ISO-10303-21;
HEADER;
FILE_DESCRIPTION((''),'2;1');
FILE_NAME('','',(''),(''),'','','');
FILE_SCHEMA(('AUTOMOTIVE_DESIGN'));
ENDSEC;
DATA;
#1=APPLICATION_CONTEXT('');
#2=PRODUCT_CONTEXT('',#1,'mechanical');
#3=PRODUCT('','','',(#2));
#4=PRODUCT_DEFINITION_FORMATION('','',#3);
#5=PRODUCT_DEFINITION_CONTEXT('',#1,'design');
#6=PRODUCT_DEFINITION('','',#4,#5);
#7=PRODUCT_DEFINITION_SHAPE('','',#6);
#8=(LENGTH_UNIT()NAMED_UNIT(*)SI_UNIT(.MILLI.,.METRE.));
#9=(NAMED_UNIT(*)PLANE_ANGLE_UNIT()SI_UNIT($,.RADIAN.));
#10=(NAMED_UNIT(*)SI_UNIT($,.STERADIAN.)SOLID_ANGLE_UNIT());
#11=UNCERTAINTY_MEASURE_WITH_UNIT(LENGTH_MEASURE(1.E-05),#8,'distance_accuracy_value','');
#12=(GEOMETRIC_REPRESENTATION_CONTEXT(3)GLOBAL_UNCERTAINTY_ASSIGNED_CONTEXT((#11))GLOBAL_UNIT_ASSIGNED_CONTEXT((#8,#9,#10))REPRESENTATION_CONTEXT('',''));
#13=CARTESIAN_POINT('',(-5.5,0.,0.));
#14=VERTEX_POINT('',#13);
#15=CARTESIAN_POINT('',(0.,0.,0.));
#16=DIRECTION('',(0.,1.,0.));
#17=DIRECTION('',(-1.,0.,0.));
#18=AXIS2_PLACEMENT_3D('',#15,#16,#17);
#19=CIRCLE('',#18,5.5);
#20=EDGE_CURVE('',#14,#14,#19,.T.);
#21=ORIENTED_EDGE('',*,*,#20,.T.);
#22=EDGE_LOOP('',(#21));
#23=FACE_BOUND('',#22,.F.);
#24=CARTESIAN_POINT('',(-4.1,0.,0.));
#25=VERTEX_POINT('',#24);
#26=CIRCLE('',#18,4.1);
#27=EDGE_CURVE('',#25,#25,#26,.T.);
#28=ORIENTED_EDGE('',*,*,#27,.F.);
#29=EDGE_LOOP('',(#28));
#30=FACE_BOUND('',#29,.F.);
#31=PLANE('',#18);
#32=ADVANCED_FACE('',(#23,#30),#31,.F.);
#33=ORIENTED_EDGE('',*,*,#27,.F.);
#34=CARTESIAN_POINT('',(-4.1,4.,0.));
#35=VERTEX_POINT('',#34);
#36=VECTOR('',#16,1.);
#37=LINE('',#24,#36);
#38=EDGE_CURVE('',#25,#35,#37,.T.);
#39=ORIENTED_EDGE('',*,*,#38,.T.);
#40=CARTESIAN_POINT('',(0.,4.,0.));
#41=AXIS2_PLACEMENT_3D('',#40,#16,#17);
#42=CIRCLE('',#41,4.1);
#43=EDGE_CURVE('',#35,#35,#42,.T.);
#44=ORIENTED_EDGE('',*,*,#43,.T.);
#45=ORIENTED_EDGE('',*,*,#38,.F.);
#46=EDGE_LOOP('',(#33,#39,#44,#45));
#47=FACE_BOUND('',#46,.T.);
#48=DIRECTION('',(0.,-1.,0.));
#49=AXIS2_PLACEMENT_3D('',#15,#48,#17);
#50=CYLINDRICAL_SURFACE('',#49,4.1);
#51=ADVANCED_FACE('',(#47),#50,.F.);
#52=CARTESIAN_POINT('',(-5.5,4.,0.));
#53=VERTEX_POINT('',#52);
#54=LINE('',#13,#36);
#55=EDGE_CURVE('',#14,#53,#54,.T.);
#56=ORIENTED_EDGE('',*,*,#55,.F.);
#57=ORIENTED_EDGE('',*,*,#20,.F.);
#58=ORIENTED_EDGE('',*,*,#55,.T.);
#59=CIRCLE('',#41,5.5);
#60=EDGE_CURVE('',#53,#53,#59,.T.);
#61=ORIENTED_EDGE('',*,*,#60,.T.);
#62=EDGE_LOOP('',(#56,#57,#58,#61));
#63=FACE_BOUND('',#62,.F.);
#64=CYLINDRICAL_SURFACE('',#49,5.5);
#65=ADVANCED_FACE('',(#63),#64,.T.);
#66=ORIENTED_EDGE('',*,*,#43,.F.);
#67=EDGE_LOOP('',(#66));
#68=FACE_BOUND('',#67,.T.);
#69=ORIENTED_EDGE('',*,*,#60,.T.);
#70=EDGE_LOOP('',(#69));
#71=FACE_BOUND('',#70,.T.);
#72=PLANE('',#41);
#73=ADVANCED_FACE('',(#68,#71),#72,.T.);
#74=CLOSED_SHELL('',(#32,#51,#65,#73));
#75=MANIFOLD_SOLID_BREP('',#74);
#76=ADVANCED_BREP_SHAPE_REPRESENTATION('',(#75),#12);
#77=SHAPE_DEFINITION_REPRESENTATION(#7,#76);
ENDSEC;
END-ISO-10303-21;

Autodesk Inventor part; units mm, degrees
ref_plane "YZ Plane" through (0, 0, 0) normal (1, 0, 0) x (0, 1, 0)
ref_plane "XZ Plane" through (0, 0, 0) normal (0, 1, 0) x (-1, 0, 0)
ref_plane "XY Plane" through (0, 0, 0) normal (0, 0, 1) x (1, 0, 0)
sketch "Sketch1" plane through (0, 0, 0) normal (0, 1, 0) x (-1, 0, 0)
  circle A0 centre (0, 0) radius 4.1
  circle A1 centre (0, 0) radius 5.5
  dimension "d0" = 8.2
  dimension "d1" = 11
extrude "Extrusion1" add sketch "Sketch1" along normal blind 4
properties part number "FirstSpacerSpacer"
